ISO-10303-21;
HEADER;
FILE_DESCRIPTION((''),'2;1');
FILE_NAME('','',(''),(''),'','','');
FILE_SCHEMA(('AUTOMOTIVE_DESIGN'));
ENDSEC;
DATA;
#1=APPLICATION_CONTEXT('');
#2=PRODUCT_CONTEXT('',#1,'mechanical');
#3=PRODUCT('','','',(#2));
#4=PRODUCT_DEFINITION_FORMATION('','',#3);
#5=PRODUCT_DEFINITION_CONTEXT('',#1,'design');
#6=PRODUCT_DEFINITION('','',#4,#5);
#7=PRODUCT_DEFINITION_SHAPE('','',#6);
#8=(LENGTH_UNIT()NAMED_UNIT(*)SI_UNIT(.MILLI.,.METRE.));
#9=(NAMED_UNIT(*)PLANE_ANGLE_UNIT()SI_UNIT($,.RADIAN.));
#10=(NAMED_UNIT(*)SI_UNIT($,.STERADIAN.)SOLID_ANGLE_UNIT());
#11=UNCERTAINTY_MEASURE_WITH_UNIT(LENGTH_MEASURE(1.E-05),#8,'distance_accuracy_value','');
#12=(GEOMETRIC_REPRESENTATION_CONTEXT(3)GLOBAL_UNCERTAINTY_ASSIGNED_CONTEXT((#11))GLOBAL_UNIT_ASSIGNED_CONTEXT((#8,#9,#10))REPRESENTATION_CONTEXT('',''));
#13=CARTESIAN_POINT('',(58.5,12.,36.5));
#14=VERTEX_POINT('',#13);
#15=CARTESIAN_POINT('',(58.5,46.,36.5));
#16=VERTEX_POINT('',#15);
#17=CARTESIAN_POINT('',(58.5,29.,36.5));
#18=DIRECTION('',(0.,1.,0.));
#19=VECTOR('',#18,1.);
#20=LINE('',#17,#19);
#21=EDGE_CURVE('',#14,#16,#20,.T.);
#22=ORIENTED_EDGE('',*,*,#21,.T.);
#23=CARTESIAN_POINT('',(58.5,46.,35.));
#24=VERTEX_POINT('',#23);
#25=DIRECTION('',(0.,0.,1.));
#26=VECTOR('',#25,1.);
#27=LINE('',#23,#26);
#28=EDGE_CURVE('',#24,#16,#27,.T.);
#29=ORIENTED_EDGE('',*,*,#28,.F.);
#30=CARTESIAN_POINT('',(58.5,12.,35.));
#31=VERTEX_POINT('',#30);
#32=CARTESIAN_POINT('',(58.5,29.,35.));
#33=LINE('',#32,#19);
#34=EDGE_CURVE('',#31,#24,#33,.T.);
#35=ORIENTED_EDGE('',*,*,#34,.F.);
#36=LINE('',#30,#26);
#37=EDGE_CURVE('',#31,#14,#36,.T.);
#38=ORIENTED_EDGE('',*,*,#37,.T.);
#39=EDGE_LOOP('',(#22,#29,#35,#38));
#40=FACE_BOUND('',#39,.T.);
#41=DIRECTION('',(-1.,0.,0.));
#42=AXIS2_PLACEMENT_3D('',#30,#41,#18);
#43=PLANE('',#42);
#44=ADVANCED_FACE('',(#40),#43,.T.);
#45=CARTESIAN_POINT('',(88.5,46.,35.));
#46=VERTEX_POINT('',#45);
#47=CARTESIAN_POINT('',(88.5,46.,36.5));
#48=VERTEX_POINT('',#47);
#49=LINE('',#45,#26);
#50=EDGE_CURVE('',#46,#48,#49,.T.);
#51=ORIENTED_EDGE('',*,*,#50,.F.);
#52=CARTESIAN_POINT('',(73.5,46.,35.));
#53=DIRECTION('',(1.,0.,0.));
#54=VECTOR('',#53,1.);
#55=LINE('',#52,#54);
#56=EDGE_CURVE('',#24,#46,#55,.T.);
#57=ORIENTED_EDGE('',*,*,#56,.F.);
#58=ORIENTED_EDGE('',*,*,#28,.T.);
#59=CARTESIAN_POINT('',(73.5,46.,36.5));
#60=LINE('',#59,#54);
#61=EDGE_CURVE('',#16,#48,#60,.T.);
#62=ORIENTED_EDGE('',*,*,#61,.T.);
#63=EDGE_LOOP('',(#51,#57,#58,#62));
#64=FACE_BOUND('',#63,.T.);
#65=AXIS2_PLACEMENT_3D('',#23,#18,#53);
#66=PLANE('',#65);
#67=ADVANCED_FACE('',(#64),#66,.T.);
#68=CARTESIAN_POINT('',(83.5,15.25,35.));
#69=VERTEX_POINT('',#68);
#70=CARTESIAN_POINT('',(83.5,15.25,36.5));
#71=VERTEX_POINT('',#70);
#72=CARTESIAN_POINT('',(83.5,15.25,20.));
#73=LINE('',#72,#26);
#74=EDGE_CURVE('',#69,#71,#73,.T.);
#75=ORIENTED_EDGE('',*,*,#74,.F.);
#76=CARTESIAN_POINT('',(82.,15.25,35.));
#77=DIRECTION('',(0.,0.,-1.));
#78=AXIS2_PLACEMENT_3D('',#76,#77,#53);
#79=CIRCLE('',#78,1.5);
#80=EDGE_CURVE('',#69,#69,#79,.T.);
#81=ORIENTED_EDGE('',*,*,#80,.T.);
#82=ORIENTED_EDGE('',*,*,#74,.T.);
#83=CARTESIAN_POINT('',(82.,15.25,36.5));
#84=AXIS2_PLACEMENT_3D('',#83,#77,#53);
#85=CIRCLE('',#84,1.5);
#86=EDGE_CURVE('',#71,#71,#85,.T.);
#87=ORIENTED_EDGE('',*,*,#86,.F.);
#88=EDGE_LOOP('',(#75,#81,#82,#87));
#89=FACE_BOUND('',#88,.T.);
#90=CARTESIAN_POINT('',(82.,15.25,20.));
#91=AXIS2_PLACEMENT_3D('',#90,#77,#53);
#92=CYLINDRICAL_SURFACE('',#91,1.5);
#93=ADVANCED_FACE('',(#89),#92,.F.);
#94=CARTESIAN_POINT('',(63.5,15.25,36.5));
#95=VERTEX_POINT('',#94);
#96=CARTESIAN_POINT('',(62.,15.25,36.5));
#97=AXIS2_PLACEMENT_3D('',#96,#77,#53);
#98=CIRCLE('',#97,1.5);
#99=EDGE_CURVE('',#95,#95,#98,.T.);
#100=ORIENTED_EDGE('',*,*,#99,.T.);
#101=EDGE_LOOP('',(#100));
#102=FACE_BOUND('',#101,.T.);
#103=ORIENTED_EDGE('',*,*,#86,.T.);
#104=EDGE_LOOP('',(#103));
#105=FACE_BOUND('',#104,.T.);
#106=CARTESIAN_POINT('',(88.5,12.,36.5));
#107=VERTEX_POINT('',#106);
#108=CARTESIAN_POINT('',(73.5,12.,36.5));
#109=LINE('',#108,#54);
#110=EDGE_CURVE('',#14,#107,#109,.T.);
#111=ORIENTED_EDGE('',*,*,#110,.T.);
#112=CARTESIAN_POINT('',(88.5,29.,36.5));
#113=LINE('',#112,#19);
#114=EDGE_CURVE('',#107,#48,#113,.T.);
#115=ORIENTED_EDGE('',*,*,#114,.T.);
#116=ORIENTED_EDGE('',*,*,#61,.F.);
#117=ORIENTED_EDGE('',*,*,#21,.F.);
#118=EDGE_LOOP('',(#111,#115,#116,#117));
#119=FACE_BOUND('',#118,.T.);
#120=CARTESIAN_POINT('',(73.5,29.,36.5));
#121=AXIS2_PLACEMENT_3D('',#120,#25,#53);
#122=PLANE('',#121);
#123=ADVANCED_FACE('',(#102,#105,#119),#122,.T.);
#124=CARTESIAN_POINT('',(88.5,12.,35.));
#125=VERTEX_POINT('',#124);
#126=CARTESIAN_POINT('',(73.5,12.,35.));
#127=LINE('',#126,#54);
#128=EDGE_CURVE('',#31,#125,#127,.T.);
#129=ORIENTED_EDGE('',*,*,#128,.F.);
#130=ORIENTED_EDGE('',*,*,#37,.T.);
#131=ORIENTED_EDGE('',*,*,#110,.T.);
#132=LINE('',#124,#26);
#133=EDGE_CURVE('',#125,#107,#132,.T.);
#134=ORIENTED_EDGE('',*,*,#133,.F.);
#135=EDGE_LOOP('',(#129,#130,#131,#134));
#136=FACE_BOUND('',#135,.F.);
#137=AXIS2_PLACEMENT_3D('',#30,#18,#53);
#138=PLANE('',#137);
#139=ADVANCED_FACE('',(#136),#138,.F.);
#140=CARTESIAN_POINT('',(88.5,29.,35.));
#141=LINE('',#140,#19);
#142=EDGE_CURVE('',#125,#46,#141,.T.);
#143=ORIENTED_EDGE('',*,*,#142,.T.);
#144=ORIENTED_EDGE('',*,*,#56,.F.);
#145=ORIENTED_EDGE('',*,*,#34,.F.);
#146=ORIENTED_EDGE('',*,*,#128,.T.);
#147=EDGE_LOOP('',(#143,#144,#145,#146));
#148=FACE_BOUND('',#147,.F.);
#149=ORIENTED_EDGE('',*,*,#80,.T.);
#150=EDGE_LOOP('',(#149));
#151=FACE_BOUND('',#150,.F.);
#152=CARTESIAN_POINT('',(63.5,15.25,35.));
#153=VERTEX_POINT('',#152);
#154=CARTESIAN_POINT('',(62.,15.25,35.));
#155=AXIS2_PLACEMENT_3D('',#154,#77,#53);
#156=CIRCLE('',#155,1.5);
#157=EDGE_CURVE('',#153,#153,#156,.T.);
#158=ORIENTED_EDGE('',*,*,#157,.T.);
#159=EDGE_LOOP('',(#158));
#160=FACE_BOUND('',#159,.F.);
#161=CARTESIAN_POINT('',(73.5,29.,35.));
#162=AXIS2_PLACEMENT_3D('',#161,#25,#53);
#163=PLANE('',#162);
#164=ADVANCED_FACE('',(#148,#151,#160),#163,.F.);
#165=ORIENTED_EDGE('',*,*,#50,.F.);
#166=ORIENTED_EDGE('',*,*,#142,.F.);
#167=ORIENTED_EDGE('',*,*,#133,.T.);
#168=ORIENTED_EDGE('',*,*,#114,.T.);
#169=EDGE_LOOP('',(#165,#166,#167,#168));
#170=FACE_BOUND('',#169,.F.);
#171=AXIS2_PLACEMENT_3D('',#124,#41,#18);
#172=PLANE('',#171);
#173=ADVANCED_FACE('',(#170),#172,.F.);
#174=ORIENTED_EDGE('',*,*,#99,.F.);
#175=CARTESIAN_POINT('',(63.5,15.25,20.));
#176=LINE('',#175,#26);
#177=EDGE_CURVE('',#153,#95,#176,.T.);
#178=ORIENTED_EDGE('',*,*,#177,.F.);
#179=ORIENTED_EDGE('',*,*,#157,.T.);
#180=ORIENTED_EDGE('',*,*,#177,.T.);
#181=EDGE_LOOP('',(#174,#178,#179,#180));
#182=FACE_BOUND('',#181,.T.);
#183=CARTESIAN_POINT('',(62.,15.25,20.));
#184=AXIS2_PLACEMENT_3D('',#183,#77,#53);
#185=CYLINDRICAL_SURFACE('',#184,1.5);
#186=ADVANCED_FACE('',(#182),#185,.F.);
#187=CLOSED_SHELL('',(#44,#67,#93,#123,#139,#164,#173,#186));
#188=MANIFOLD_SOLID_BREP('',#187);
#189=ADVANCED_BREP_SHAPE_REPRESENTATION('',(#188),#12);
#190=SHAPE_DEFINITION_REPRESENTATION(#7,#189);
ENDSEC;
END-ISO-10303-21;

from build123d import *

# Parameters (mm, degrees)
CYLINDER018_R     = 1.5
CYLINDER018_DEPTH = 20
CYLINDER019_R     = 1.5
CYLINDER019_DEPTH = 20
BOX005_W          = 30
BOX005_H          = 34
BOX005_DEPTH      = 1.5


with BuildPart() as cylinder018:
    # Cylinder018 → Cylinder018 (new body)
    with BuildSketch(Plane(origin=(82, 15.25, 20), x_dir=(1, 0, 0), z_dir=(0, 0, 1))):
        Circle(CYLINDER018_R)
    extrude(amount=CYLINDER018_DEPTH)


with BuildPart() as fusion005:
    # Cylinder019 → Cylinder019 (new body)
    with BuildSketch(Plane(origin=(62, 15.25, 20), x_dir=(1, 0, 0), z_dir=(0, 0, 1))):
        Circle(CYLINDER019_R)
    extrude(amount=CYLINDER019_DEPTH)

    # Fusion005: union Cylinder018
    add(cylinder018.part)


with BuildPart() as sup_gps_a:
    # Box005 → Box005 (new body)
    with BuildSketch(Plane(origin=(58.5, 12, 35), x_dir=(1, 0, 0), z_dir=(0, 0, 1))):
        with Locations((15, 17)):
            Rectangle(BOX005_W, BOX005_H)
    extrude(amount=BOX005_DEPTH)

    # Cut005: cut Fusion005
    add(fusion005.part, mode=Mode.SUBTRACT)


solid = sup_gps_a.part
